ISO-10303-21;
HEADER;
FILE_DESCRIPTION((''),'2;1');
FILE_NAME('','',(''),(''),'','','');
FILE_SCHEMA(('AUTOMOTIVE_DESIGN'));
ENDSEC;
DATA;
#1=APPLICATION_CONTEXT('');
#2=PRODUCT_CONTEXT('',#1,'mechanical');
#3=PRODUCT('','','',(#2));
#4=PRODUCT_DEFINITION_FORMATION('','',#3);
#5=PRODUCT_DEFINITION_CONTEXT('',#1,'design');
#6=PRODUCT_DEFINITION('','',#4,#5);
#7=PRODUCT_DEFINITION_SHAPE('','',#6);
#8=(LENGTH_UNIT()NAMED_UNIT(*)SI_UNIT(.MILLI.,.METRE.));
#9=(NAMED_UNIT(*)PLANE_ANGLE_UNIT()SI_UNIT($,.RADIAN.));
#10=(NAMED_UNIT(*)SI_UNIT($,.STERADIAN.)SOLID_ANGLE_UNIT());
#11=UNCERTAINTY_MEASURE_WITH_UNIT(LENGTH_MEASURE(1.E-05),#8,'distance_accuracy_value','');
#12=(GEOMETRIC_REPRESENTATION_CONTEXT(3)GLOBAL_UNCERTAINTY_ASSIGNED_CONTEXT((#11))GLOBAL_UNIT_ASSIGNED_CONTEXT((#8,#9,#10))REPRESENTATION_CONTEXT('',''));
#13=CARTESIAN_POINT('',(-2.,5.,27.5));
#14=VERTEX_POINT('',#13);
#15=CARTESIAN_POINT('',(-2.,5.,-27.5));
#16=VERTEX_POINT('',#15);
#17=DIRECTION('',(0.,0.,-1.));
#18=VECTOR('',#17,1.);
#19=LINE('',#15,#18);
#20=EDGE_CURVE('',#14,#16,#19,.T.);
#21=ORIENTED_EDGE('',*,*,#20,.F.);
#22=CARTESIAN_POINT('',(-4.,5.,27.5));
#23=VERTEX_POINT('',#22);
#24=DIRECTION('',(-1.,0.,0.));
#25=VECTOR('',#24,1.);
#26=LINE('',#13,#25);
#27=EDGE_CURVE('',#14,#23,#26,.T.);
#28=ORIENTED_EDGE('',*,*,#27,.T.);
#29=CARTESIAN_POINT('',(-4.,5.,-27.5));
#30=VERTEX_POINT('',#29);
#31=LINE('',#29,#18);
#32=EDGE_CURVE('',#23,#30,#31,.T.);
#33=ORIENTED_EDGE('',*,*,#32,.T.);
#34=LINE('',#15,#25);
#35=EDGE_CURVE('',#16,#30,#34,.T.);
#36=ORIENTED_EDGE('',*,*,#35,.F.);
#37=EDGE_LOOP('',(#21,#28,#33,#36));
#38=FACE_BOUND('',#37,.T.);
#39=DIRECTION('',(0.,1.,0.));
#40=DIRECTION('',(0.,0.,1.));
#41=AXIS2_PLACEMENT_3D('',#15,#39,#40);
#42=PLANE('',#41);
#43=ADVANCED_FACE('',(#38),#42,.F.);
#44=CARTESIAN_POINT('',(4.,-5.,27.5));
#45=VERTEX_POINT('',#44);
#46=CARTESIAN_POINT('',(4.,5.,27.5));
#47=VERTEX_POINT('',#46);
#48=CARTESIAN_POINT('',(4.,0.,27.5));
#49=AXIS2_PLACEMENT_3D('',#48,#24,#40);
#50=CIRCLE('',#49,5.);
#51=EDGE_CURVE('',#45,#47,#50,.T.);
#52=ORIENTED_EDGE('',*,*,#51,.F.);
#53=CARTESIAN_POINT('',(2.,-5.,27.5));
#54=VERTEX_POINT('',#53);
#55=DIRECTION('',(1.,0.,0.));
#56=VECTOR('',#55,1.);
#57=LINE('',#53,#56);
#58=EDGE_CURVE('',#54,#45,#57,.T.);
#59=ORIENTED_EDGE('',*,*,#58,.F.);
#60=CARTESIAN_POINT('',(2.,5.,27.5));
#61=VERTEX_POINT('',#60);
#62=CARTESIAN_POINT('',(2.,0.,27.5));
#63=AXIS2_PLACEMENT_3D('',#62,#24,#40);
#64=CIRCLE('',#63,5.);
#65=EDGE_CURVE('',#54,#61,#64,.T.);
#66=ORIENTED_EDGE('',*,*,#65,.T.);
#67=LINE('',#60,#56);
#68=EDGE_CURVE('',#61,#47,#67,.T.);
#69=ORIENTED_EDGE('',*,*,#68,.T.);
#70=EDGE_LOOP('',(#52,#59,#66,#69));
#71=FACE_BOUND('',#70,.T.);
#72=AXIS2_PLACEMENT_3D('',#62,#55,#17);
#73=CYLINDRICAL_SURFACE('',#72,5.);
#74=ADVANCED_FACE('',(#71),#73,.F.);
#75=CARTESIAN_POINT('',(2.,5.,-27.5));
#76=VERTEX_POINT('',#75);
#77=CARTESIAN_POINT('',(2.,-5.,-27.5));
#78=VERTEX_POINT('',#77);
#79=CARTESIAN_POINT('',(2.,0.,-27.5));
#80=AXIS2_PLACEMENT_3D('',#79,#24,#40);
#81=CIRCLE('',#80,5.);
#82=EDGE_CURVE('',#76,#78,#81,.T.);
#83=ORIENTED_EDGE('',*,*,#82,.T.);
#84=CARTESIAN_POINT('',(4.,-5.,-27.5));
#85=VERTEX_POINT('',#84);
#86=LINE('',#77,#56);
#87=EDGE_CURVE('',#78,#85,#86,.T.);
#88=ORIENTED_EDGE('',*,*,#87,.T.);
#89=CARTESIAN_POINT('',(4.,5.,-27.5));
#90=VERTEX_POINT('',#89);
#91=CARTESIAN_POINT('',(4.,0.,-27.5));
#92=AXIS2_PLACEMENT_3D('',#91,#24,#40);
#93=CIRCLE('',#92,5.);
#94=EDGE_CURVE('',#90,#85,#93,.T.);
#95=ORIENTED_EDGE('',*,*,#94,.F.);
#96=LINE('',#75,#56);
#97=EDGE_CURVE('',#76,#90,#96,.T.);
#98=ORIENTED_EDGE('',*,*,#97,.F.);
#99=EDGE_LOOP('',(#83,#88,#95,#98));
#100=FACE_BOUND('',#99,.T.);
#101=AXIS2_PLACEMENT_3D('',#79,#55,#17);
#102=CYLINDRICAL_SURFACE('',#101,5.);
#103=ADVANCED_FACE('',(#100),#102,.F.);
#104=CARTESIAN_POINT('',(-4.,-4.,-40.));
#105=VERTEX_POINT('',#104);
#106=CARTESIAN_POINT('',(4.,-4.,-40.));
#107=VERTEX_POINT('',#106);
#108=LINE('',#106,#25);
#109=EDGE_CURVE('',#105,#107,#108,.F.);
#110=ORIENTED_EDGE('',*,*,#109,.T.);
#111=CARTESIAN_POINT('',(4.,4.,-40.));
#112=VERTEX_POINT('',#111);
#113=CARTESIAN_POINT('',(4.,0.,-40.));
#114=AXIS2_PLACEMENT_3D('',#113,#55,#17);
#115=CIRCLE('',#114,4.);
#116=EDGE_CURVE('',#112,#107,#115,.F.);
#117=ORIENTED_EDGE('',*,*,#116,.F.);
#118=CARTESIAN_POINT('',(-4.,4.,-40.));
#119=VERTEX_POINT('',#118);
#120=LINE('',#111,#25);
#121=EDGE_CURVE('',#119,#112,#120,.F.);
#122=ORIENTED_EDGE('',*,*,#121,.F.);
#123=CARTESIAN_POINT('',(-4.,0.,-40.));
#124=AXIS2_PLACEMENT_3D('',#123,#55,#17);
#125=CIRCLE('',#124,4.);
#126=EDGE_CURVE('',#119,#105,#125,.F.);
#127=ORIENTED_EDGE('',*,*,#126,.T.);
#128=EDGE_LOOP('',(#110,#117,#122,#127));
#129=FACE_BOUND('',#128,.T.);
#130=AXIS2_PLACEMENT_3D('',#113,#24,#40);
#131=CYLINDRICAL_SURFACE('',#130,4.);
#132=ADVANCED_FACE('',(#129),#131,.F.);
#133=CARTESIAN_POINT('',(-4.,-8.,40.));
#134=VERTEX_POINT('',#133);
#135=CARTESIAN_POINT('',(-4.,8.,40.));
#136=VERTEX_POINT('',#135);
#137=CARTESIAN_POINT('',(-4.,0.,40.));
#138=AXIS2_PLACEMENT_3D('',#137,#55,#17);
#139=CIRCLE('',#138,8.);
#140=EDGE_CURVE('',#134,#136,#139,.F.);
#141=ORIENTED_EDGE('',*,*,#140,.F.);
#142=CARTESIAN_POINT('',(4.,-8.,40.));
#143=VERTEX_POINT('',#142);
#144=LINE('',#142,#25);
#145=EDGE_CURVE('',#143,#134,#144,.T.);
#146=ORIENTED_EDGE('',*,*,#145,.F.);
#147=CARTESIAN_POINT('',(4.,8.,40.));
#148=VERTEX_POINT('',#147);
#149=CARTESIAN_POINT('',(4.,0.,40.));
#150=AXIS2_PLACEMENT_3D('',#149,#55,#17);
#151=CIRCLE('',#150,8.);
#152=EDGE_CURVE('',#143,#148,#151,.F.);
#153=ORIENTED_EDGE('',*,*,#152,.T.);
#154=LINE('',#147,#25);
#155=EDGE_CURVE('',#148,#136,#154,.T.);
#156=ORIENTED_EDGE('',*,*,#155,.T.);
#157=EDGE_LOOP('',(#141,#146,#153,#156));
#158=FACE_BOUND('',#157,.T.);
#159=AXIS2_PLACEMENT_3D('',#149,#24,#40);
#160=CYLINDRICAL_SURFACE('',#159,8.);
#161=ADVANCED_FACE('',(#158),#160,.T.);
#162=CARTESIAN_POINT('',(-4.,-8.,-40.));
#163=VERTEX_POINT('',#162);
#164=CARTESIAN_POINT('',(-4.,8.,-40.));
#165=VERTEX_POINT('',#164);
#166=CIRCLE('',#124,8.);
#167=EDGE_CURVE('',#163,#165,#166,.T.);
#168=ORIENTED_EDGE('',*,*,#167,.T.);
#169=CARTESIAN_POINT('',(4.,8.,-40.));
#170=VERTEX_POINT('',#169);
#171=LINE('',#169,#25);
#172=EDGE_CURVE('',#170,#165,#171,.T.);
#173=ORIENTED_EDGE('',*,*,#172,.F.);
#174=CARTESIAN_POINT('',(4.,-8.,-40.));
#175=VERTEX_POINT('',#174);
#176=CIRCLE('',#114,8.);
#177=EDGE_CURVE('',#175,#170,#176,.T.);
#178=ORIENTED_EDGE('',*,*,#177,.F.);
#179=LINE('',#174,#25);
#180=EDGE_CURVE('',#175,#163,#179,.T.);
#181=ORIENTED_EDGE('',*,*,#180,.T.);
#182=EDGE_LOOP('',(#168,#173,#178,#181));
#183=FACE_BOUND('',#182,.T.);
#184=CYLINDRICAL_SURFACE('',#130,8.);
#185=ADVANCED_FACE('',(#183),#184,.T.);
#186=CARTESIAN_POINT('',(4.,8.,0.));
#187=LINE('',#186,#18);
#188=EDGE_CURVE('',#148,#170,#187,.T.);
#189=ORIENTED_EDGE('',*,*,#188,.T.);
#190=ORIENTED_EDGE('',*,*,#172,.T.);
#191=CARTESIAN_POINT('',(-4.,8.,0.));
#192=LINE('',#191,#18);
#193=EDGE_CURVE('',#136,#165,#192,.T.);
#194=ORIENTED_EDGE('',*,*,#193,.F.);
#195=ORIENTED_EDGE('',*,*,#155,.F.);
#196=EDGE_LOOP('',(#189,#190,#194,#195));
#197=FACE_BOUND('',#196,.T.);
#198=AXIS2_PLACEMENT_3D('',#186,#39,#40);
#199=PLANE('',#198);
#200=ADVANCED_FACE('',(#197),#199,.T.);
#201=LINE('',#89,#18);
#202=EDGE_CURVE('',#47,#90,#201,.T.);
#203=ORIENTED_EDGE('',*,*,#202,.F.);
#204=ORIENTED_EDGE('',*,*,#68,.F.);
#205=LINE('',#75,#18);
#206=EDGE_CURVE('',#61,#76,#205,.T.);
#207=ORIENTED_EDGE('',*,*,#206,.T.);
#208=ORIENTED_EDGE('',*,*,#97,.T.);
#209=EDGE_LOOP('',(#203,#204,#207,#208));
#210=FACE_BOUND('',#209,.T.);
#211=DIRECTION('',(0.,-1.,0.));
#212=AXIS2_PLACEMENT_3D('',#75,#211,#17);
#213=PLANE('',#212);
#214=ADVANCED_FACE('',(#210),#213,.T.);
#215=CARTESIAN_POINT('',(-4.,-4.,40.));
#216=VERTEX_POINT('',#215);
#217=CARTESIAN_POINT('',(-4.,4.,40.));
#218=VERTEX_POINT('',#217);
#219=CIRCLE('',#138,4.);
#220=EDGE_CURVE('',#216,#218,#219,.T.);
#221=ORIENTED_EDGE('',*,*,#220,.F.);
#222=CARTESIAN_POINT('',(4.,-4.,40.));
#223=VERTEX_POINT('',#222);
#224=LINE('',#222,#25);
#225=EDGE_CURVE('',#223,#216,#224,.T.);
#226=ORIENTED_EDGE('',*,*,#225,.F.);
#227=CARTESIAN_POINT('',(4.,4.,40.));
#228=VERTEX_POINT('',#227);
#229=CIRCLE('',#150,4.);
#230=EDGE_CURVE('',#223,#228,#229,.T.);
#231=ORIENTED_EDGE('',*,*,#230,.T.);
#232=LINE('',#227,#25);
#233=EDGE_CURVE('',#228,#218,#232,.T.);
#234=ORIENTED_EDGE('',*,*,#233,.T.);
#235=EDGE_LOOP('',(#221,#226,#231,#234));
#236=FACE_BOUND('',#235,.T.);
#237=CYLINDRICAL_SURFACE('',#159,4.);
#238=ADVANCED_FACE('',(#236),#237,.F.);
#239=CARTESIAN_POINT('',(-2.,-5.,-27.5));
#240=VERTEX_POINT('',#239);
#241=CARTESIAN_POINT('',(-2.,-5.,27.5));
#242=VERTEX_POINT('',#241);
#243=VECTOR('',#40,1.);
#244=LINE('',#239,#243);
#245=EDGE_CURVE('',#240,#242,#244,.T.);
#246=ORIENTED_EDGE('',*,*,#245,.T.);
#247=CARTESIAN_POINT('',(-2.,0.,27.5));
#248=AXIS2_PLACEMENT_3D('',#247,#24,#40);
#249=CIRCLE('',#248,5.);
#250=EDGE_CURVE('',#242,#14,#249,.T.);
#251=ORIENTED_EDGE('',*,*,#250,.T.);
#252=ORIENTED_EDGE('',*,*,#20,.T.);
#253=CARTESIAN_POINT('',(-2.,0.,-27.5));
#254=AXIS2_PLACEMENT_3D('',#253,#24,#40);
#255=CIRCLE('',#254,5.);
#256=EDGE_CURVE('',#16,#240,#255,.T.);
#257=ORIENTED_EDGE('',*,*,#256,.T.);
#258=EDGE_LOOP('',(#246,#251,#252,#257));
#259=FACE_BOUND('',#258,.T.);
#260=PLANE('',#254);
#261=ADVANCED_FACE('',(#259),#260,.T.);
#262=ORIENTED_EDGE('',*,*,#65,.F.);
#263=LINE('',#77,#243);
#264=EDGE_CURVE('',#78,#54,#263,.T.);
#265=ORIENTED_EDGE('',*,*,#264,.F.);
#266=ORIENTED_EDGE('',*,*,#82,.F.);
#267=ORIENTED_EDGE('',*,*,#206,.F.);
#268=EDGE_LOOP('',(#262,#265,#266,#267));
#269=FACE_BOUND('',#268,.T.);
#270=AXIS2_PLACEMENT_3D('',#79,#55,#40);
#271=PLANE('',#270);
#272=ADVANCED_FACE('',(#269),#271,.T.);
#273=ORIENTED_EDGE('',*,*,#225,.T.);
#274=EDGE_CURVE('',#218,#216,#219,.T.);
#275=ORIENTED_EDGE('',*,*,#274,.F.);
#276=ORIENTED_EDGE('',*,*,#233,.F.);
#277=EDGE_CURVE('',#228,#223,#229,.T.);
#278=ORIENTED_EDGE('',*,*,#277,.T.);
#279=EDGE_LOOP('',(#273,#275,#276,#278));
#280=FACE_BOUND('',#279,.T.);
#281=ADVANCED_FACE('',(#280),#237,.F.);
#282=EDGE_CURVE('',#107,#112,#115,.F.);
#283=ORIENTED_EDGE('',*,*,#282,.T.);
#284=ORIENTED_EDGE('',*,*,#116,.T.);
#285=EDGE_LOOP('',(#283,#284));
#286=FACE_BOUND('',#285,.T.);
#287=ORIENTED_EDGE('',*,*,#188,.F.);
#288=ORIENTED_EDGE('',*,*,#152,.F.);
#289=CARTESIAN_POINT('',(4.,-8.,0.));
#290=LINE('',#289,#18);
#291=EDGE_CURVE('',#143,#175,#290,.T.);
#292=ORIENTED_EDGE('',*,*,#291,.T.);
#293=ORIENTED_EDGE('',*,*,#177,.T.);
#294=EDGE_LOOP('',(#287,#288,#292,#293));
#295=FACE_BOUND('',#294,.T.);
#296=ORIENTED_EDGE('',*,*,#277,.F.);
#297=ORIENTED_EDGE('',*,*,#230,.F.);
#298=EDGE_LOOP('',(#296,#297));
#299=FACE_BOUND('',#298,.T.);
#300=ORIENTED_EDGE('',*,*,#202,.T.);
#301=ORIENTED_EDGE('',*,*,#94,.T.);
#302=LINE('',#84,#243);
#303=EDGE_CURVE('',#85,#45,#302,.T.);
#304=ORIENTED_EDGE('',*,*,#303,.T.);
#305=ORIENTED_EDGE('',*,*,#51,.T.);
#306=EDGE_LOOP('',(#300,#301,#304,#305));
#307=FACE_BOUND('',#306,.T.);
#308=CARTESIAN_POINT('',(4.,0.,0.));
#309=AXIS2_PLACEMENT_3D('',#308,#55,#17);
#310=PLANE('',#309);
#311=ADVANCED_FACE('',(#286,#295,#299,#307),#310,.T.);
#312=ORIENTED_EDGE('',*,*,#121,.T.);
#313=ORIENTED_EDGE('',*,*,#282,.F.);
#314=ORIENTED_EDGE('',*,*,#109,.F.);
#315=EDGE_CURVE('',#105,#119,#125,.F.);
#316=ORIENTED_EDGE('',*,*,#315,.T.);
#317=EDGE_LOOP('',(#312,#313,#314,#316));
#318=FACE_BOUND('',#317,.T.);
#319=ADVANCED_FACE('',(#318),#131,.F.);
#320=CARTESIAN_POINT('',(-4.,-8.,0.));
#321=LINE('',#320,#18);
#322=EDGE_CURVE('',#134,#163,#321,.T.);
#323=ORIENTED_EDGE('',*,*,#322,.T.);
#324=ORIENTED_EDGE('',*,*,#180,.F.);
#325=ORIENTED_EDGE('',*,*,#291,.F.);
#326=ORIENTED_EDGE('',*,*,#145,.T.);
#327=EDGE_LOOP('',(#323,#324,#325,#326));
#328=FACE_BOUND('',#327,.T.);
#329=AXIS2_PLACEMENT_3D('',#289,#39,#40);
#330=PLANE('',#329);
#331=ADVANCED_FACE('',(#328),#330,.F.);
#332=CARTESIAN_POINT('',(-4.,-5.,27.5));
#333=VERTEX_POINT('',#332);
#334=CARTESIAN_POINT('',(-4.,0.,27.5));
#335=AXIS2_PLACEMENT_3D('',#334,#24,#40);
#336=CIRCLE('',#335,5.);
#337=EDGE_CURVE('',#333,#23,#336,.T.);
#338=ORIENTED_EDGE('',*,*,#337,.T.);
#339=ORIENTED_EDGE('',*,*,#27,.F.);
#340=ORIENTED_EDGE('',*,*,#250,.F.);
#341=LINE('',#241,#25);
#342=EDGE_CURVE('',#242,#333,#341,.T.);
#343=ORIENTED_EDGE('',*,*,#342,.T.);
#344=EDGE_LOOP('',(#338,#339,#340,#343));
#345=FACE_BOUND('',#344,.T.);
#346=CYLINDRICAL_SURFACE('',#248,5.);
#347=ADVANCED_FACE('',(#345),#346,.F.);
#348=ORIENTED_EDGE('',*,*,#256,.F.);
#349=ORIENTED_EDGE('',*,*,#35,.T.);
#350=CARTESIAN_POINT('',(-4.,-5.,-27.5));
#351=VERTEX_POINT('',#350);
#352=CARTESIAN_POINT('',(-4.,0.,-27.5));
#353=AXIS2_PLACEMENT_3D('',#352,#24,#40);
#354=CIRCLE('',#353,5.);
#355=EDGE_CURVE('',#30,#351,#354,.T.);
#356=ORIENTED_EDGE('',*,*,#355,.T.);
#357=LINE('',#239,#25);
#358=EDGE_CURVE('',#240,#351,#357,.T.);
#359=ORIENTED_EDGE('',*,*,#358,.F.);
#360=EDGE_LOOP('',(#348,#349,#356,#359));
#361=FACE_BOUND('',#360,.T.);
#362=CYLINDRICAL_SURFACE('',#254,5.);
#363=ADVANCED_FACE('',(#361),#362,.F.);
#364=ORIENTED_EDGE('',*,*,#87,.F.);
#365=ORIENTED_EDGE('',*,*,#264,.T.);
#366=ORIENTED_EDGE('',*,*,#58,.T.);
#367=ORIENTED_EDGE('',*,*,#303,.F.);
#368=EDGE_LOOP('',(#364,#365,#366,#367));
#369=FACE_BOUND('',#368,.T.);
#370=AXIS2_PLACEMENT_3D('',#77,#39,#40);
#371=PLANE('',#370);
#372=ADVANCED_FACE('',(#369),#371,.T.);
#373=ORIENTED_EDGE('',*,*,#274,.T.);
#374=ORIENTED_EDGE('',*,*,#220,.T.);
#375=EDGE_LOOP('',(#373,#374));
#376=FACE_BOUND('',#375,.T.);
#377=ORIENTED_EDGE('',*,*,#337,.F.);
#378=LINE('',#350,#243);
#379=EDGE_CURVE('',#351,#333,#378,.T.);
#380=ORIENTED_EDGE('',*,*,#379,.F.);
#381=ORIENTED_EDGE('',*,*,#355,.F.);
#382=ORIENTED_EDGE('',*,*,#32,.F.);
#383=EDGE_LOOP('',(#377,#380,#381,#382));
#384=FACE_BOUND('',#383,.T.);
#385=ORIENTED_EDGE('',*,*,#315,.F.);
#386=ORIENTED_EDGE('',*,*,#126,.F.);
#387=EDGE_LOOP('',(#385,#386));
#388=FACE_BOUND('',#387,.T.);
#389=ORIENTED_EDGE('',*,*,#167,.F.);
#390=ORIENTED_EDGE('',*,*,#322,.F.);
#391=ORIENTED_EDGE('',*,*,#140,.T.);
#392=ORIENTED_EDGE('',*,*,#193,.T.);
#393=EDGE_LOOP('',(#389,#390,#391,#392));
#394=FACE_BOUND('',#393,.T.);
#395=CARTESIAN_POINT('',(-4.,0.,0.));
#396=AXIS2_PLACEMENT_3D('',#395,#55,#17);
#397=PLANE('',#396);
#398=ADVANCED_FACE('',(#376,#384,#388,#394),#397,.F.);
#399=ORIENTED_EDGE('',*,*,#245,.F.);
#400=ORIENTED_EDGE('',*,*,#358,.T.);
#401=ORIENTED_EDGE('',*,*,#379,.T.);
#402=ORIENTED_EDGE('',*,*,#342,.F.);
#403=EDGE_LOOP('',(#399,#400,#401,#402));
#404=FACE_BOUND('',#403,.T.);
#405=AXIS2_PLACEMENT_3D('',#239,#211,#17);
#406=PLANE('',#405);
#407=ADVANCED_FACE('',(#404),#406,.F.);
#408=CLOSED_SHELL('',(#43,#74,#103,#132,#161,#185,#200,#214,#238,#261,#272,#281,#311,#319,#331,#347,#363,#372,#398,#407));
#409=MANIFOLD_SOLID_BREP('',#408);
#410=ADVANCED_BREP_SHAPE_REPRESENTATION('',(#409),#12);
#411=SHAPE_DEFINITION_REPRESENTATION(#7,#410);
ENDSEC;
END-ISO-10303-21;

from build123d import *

# Parameters (mm, degrees)
SKETCH_1_R          = 4
EXTRUDE_1_DEPTH     = 4
CUT_EXTRUDE_1_DEPTH = 2


with BuildPart() as part:
    # 草图1 → 凸台-拉伸1 (new body, symmetric)
    with BuildSketch(Plane(origin=(0, 0, 0), x_dir=(0, 0, -1), z_dir=(1, 0, 0))):
        with BuildLine():
            Line((-40, 8), (40, 8))
            ThreePointArc((40, 8), (48, 0), (40, -8))
            Line((40, -8), (-40, -8))
            ThreePointArc((-40, -8), (-48, 0), (-40, 8))
        make_face()
        with Locations((40, 0)):
            Circle(SKETCH_1_R, mode=Mode.SUBTRACT)
        with Locations((-40, 0)):
            Circle(SKETCH_1_R, mode=Mode.SUBTRACT)
    extrude(amount=EXTRUDE_1_DEPTH, both=True)

    # 草图7 → 切除-拉伸1 (cut)
    with BuildSketch(Plane.ZY.offset(4)):
        with BuildLine():
            Line((-27.5, 5), (27.5, 5))
            ThreePointArc((27.5, 5), (32.5, 0), (27.5, -5))
            Line((27.5, -5), (-27.5, -5))
            ThreePointArc((-27.5, -5), (-32.5, 0), (-27.5, 5))
        make_face()
    cut_extrude_1 = extrude(amount=-CUT_EXTRUDE_1_DEPTH, mode=Mode.SUBTRACT)

    # 镜向1: 切除-拉伸1 across plane
    add(cut_extrude_1.mirror(Plane(origin=(0, 0, 0), x_dir=(0, 0, 1), z_dir=(1, 0, 0))), mode=Mode.SUBTRACT)


solid = part.part
